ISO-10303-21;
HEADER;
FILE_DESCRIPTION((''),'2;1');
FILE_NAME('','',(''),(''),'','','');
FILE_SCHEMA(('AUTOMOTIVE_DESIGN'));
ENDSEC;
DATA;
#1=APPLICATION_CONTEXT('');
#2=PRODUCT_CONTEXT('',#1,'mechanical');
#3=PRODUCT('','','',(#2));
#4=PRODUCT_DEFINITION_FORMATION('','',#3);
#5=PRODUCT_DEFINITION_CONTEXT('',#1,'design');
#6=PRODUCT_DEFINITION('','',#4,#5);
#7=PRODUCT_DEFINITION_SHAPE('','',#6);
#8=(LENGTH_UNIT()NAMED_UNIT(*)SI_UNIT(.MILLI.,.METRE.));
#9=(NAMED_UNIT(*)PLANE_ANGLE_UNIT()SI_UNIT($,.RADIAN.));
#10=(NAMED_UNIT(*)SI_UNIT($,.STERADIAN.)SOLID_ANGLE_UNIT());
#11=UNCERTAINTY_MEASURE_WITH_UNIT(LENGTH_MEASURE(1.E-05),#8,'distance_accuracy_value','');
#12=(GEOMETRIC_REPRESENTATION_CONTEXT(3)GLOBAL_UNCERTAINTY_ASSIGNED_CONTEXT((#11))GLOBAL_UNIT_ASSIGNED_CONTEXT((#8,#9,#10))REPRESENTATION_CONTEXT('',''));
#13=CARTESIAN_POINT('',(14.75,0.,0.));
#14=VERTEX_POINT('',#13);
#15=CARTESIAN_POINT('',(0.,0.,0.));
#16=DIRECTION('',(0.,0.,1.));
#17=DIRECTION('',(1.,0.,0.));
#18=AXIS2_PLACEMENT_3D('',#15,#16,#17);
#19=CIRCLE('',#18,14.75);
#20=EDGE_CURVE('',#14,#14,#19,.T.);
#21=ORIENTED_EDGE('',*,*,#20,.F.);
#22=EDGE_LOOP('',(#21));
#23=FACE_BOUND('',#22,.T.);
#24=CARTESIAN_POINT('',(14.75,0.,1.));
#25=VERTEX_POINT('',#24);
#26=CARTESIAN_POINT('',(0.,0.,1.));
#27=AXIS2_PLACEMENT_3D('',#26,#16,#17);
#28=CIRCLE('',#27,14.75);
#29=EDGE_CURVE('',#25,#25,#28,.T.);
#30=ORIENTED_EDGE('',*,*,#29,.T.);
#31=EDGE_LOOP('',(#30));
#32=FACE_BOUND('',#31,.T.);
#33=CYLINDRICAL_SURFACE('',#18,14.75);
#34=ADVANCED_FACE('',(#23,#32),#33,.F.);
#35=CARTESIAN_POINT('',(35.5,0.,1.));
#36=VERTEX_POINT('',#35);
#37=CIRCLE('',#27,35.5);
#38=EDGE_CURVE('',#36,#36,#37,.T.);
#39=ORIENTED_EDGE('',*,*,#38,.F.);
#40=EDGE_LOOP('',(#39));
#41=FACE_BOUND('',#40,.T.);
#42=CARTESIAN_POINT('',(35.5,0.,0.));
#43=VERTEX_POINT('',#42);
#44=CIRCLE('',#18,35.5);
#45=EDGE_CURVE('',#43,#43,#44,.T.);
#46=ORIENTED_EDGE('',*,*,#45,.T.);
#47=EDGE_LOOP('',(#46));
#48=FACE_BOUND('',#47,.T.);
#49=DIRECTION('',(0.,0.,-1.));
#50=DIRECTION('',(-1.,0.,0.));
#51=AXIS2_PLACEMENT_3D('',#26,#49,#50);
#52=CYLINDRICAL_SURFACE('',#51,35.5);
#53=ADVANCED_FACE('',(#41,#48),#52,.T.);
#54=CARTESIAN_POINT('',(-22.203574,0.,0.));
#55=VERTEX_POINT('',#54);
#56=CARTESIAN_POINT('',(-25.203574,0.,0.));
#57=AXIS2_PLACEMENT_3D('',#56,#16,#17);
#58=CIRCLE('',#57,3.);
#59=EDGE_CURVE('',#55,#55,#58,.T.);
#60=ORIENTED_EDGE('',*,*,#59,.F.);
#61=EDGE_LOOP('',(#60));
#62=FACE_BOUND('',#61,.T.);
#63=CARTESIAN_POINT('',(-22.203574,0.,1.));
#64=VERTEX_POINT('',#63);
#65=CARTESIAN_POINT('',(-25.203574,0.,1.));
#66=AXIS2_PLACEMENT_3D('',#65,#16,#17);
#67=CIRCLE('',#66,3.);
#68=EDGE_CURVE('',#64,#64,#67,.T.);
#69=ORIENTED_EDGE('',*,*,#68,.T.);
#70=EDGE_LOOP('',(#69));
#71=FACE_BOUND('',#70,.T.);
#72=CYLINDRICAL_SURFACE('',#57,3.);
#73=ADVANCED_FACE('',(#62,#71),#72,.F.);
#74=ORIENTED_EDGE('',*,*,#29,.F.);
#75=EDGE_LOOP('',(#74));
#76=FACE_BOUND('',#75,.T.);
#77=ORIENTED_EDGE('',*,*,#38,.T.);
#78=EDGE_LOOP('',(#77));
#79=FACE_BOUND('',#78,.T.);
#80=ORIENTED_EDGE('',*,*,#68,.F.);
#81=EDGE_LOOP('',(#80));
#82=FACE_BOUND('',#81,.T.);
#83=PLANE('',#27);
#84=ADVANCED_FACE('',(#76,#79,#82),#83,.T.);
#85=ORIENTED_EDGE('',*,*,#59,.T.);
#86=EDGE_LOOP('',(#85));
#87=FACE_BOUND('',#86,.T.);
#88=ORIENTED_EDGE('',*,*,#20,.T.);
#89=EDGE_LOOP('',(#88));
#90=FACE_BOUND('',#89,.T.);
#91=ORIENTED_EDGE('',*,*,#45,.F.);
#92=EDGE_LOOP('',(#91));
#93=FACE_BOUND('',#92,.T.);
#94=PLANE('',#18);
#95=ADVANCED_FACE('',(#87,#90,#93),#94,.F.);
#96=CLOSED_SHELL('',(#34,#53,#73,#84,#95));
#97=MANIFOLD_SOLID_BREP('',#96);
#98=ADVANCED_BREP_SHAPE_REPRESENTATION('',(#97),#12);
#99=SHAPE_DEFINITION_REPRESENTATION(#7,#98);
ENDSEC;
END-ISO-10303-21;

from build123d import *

# Parameters (mm, degrees)
ESBO_O2_R                = 35.5
RESSALTO_EXTRUS_O1_DEPTH = 1
ESBO_O3_R                = 14.75
CORTE_EXTRUS_O1_DEPTH    = 1
ESBO_O7_R                = 3
CORTE_EXTRUS_O3_DEPTH    = 1


with BuildPart() as part:
    # Esboço2 → Ressalto-extrusão1 (new body)
    with BuildSketch(Plane.XY):
        Circle(ESBO_O2_R)
    extrude(amount=RESSALTO_EXTRUS_O1_DEPTH)

    # Esboço3 → Corte-extrusão1 (cut)
    with BuildSketch(Plane.XY.offset(1)):
        Circle(ESBO_O3_R)
    extrude(amount=-CORTE_EXTRUS_O1_DEPTH, mode=Mode.SUBTRACT)

    # Esboço7 → Corte-extrusão3 (cut)
    with BuildSketch(Plane.XY.offset(1)):
        with Locations((-25.203573784, 0)):
            Circle(ESBO_O7_R)
    extrude(amount=-CORTE_EXTRUS_O3_DEPTH, mode=Mode.SUBTRACT)


solid = part.part
